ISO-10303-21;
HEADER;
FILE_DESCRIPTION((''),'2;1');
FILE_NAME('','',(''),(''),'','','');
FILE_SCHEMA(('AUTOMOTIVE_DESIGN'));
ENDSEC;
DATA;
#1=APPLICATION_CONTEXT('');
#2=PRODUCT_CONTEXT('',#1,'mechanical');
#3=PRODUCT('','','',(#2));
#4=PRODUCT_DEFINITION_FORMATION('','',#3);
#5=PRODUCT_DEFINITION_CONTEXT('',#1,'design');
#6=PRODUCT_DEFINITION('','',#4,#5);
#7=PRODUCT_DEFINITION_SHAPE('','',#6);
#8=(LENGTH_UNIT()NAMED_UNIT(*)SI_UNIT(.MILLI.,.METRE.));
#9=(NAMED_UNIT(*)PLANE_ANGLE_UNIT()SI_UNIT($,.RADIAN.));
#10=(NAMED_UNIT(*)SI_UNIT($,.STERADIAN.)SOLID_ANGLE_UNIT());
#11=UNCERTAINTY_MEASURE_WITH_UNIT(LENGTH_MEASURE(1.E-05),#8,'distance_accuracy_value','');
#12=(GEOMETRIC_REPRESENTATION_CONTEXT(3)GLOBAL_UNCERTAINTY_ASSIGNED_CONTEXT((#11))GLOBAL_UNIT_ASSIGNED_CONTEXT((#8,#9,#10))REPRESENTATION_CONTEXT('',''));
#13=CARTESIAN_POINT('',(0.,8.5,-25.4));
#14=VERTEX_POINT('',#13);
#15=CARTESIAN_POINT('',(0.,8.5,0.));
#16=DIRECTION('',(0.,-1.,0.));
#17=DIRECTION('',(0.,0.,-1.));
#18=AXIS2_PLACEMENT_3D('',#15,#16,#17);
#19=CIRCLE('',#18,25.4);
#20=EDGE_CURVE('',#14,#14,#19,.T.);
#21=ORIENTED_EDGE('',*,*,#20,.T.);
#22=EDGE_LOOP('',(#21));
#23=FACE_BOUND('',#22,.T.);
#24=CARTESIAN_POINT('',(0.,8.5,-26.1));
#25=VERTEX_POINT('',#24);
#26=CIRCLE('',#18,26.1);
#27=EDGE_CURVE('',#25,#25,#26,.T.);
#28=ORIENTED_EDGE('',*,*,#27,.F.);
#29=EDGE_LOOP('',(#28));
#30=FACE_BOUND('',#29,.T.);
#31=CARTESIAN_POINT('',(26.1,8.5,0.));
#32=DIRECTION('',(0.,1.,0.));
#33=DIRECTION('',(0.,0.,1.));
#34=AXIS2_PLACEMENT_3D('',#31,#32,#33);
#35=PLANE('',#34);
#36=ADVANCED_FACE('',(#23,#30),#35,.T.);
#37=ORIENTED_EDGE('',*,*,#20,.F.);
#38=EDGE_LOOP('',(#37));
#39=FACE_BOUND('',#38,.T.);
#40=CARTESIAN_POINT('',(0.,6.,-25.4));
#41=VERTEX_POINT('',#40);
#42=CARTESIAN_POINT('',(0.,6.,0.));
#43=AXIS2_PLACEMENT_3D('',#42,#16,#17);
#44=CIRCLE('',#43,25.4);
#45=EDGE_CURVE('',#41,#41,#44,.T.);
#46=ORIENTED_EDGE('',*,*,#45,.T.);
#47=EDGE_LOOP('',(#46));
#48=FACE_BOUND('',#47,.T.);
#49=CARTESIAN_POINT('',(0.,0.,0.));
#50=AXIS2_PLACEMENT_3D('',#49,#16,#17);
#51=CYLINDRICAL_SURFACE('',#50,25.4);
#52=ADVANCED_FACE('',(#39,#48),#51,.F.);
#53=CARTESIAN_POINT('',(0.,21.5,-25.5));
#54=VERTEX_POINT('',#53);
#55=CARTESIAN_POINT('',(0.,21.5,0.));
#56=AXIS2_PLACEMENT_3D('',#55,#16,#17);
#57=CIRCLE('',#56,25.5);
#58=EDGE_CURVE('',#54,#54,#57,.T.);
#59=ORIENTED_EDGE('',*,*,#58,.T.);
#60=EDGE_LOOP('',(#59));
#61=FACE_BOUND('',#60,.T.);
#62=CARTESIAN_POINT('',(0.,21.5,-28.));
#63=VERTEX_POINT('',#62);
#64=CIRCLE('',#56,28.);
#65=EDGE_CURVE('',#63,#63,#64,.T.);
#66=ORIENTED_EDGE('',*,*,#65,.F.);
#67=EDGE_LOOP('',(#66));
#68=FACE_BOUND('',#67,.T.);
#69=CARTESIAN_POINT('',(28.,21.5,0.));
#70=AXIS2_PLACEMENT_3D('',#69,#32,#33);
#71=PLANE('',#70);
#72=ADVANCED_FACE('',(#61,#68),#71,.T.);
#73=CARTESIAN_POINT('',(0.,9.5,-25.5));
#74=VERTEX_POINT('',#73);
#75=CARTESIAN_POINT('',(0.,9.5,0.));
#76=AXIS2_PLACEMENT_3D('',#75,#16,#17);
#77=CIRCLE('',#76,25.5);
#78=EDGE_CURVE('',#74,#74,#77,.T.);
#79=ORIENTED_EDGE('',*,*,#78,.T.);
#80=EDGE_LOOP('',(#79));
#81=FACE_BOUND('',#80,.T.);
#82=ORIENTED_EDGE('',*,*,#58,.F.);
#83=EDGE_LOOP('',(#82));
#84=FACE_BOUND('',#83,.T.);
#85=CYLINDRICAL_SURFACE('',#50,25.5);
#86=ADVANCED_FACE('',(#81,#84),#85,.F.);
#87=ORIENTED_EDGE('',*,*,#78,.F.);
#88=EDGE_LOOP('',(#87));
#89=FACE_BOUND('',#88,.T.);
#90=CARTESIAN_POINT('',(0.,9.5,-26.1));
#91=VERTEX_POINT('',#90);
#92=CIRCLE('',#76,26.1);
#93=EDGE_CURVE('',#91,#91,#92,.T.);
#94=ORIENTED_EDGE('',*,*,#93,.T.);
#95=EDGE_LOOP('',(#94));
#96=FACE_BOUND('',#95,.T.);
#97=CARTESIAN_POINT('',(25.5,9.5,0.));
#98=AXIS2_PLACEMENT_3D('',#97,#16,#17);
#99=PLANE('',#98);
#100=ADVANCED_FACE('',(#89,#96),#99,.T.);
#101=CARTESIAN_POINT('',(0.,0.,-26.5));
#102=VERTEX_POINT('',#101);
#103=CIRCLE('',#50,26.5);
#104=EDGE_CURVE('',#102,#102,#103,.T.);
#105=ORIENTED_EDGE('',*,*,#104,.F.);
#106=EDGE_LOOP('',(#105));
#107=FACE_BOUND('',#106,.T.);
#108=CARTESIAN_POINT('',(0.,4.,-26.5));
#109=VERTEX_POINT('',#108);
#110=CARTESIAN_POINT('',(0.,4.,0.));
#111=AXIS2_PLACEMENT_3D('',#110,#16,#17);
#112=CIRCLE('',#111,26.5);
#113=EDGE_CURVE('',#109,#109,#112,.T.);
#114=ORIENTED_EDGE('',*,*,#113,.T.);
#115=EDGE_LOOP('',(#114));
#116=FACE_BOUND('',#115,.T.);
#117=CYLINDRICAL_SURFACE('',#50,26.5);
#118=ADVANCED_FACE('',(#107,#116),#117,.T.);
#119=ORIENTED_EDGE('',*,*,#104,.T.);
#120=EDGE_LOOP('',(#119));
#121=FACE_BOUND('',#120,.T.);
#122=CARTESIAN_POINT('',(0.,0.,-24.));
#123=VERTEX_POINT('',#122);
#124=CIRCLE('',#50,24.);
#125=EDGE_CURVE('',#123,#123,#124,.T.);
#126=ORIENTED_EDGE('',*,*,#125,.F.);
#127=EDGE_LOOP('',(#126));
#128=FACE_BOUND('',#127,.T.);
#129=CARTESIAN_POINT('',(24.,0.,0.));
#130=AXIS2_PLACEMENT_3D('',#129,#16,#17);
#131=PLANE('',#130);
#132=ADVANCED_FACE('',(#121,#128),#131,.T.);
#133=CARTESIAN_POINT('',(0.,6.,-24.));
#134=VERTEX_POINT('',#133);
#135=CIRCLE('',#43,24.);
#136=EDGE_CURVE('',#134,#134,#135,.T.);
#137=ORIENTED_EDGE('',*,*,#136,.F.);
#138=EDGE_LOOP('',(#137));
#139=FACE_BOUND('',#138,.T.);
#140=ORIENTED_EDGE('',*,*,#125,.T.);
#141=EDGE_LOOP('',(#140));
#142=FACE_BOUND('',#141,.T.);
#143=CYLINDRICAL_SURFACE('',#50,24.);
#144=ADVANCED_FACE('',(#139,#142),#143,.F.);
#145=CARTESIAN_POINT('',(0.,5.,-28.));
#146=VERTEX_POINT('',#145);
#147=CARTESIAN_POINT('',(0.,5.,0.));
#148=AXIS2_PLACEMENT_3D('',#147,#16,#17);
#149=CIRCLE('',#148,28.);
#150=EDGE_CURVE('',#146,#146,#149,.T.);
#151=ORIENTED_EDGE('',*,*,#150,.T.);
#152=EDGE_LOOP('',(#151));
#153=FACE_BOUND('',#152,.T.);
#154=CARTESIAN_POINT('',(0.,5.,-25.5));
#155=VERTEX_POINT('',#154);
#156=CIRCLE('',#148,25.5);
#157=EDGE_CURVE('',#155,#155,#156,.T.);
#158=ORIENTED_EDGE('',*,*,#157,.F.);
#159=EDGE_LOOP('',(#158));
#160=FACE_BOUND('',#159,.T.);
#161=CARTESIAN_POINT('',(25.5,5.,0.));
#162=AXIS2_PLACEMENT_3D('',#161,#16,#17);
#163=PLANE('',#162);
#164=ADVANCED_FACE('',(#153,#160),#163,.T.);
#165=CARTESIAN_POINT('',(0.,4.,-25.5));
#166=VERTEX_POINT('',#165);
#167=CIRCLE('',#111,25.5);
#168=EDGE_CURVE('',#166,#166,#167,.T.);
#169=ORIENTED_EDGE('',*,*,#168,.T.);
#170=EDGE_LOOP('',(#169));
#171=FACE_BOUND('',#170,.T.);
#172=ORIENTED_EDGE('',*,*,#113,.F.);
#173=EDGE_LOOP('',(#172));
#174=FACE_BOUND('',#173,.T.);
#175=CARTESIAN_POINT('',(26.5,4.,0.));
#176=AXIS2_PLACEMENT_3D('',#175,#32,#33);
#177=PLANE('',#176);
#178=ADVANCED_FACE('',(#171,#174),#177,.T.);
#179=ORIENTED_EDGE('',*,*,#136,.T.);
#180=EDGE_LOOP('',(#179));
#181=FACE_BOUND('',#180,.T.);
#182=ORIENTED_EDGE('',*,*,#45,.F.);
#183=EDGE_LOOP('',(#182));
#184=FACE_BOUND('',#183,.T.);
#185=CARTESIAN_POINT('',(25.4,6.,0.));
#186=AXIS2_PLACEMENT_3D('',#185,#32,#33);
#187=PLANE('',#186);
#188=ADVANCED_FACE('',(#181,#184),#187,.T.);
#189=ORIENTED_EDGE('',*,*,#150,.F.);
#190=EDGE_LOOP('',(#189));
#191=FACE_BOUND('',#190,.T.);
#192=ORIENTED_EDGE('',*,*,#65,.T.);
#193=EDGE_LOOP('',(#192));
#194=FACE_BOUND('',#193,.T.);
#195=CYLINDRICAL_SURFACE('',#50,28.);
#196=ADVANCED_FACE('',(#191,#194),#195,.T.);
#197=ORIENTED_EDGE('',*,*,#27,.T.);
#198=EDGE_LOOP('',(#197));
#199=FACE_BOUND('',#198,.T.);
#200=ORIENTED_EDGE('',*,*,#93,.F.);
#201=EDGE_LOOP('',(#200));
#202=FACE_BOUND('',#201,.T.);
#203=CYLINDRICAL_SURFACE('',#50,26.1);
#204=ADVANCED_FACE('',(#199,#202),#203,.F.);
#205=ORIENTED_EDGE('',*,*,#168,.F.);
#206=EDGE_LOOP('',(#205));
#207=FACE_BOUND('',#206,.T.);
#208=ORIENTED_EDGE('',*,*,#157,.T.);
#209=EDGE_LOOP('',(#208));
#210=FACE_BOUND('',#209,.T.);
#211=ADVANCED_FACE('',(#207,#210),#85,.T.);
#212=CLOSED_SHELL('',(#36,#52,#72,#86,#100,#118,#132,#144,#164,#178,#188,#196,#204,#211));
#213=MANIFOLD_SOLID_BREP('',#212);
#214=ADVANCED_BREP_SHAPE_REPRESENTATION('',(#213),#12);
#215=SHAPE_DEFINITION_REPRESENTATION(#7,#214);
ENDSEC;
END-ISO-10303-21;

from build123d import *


with BuildPart() as part:
    # 草图1 → 旋转1 (revolve)
    with BuildSketch(Plane.XY, mode=Mode.PRIVATE) as revolve_1_sk:
        Polygon((24, 0), (26.5, 0), (26.5, 4), (25.5, 4), (25.5, 5), (28, 5), (28, 21.5), (25.5, 21.5), (25.5, 9.5), (26.1, 9.5), (26.1, 8.5), (25.4, 8.5), (25.4, 6), (24, 6), align=None)
    revolve(revolve_1_sk.sketch.rotate(Axis((0, 0, 0), (0, 1, 0)), 90), axis=Axis((0, 0, 0), (0, 1, 0)))  # turned: the seam where the file's is


solid = part.part
